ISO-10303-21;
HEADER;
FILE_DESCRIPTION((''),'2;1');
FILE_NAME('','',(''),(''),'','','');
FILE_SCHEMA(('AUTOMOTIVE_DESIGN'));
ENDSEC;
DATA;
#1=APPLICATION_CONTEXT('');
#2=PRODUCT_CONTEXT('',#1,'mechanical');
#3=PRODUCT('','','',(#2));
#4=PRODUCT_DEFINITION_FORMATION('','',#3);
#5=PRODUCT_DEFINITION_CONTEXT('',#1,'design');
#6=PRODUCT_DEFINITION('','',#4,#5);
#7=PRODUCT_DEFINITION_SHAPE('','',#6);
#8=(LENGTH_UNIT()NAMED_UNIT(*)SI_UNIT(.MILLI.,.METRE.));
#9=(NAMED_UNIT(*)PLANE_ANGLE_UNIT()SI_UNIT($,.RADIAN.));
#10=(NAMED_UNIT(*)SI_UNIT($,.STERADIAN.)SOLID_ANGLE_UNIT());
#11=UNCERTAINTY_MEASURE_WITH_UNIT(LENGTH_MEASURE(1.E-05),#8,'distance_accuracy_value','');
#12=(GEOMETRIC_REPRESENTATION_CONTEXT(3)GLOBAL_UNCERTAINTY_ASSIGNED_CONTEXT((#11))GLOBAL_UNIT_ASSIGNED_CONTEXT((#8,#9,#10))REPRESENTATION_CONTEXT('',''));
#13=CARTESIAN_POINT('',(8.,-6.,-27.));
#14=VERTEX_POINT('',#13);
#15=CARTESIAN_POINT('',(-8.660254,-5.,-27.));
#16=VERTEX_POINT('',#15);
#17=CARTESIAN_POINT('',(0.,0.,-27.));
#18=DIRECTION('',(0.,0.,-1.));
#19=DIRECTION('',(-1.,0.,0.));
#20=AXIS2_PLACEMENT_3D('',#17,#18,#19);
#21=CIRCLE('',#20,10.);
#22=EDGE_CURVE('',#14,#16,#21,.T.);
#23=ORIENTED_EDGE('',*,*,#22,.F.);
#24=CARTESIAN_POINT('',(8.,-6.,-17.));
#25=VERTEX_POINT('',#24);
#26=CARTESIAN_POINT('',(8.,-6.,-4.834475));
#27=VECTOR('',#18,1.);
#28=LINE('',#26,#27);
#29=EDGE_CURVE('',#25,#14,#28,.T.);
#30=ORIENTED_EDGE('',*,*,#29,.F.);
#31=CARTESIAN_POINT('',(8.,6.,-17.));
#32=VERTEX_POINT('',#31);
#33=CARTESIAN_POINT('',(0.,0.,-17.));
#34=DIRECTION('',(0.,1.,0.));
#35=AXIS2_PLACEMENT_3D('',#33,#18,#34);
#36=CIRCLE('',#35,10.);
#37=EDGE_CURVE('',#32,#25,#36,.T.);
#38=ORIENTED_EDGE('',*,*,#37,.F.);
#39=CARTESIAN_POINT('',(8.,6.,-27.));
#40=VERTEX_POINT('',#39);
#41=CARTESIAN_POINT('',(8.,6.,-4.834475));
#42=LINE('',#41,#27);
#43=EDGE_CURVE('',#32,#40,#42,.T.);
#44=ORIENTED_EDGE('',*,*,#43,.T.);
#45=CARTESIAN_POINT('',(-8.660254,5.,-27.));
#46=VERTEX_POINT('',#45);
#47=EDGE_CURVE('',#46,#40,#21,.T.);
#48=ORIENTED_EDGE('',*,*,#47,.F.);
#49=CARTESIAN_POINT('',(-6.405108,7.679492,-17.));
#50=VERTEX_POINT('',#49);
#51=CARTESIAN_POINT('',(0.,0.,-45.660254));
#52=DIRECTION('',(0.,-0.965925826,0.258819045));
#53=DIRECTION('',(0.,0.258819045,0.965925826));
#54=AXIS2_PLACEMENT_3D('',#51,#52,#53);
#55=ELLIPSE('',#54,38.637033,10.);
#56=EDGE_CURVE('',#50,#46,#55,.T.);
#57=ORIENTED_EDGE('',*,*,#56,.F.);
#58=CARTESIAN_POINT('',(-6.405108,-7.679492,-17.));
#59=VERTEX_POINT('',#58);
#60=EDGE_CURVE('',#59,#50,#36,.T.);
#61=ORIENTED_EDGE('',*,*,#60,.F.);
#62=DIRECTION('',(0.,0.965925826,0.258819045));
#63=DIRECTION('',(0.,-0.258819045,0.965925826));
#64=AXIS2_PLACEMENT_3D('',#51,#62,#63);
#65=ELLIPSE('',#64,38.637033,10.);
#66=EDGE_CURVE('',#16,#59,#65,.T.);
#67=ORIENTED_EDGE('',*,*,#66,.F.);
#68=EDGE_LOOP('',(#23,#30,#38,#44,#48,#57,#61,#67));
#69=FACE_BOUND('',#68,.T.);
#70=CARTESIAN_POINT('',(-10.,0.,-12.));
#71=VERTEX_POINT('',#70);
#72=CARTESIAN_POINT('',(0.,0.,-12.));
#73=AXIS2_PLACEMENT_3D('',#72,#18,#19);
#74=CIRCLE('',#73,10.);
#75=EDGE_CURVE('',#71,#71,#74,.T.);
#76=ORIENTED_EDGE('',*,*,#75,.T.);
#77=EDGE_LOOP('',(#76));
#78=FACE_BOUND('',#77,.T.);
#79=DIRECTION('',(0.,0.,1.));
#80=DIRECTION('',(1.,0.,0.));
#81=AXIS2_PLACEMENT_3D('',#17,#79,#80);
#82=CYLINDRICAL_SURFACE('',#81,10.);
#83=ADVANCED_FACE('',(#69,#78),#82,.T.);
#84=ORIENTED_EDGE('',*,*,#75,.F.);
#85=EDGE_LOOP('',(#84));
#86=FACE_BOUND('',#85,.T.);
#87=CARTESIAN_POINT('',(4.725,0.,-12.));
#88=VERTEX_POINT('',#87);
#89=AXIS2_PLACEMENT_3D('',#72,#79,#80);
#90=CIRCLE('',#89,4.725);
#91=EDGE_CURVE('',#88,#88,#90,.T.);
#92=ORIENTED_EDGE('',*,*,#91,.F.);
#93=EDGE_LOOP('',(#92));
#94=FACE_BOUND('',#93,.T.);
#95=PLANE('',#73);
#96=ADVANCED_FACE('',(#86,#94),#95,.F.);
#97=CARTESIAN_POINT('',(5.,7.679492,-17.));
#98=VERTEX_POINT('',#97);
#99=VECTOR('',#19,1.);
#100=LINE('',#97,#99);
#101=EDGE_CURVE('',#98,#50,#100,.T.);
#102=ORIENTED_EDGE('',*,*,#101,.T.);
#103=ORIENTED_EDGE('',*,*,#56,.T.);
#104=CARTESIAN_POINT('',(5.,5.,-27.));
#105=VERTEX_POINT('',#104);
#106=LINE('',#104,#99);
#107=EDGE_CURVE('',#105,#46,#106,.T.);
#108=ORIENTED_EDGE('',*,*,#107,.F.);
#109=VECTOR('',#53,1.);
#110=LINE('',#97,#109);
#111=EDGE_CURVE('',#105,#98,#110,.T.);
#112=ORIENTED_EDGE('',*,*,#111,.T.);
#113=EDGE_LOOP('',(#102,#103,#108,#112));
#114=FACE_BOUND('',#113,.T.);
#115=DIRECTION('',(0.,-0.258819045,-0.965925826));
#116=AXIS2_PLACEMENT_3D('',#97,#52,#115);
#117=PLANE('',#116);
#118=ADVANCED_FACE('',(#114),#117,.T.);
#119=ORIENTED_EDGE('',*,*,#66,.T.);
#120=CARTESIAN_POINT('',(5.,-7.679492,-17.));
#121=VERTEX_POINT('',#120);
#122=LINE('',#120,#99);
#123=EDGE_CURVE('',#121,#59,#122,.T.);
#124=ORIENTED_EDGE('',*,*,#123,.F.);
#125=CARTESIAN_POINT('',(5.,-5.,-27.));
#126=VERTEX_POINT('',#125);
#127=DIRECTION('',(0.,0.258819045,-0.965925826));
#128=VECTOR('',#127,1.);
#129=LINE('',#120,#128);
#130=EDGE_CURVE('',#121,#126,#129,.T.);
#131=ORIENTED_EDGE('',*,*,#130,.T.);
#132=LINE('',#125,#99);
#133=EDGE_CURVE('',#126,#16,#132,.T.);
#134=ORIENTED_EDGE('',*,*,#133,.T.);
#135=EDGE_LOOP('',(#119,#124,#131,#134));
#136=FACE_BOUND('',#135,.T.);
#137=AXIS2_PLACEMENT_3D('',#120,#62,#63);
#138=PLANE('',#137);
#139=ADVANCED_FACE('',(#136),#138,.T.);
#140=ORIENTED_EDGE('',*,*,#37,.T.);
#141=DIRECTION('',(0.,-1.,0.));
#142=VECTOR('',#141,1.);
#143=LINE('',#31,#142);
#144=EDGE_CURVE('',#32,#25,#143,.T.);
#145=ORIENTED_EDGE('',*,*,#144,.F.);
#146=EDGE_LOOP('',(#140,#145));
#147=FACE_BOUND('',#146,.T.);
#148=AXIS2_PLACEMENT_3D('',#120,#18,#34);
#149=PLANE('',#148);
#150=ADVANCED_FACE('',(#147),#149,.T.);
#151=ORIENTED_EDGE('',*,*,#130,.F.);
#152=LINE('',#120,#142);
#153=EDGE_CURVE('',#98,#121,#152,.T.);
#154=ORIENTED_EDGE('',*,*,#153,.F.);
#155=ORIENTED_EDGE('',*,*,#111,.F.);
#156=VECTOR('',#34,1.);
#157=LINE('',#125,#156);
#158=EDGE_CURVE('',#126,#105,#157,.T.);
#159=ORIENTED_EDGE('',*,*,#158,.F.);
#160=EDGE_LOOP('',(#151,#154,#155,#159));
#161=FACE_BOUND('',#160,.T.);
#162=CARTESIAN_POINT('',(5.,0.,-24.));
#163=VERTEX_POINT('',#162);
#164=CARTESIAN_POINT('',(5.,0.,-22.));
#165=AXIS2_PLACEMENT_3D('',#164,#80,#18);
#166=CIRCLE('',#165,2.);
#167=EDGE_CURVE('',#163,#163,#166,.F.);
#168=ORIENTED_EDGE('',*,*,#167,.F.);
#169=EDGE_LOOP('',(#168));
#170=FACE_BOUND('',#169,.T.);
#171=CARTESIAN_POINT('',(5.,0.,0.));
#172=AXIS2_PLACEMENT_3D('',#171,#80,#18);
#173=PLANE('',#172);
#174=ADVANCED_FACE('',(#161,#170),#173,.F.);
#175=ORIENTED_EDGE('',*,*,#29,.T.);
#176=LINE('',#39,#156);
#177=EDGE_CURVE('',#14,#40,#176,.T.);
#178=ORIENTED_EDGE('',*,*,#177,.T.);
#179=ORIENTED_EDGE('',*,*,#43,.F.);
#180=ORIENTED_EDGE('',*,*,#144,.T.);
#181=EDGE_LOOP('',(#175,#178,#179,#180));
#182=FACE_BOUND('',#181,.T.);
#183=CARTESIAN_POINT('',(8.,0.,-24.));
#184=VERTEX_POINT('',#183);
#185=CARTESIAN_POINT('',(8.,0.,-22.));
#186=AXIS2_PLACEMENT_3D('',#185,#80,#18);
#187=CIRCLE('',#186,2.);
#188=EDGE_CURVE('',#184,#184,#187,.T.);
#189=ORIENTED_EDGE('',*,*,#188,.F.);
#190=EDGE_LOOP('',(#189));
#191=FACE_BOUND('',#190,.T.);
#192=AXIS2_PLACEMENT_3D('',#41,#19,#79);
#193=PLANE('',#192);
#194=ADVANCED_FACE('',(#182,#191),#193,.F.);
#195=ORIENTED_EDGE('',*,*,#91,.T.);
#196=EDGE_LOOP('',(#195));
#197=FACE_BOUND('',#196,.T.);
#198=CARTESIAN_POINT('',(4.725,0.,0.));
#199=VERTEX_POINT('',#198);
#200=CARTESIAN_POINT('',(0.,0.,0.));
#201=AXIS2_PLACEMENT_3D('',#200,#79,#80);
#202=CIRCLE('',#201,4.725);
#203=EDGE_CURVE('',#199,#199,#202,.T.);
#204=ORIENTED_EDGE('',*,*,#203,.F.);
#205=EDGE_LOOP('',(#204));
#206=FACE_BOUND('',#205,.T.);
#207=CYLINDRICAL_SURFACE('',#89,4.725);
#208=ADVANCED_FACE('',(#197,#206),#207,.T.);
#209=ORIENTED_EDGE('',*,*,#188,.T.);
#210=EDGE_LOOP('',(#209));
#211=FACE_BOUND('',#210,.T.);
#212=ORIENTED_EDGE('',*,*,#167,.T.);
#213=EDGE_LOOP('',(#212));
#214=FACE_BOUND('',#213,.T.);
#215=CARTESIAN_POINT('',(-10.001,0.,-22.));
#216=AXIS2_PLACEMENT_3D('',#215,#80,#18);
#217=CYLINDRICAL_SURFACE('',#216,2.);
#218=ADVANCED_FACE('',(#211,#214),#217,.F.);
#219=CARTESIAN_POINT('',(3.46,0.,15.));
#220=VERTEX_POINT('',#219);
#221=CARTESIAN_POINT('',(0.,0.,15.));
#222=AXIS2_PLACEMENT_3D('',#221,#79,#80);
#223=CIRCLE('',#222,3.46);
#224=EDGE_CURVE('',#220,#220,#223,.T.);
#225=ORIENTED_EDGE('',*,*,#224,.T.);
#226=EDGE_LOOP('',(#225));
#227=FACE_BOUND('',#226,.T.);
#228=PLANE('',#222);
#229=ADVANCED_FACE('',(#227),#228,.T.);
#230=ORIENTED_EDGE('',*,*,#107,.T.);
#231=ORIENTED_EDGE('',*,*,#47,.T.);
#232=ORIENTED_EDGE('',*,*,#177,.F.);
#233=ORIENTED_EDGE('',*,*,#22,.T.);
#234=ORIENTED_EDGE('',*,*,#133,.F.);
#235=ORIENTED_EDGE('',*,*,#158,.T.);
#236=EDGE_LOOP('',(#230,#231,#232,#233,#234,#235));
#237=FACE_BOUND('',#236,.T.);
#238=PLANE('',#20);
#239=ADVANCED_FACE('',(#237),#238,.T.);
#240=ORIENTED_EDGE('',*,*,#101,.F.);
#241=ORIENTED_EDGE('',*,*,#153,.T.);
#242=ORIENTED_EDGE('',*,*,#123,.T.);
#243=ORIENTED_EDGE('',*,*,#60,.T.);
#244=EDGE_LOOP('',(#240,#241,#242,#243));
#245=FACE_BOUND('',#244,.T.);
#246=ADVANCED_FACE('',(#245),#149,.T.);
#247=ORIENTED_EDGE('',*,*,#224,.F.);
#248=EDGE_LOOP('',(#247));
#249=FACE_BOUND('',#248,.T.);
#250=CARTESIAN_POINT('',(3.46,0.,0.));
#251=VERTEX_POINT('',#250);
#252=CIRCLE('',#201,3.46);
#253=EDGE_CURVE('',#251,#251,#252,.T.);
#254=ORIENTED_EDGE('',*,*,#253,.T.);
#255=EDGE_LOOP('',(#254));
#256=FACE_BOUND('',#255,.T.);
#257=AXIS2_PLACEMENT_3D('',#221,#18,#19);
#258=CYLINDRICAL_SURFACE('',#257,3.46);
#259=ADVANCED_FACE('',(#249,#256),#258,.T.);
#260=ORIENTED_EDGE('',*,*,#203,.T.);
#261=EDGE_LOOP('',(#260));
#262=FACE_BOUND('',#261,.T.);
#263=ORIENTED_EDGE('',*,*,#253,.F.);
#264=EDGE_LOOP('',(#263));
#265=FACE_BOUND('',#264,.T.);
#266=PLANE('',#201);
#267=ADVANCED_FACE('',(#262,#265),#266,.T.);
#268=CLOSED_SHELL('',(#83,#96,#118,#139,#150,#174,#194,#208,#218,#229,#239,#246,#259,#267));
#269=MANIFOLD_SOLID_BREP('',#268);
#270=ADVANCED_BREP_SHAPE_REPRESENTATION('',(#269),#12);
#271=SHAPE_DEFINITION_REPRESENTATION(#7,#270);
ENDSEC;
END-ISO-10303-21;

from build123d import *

# Parameters (mm, degrees)
SKETCH1_R               = 4.725
BOSS_EXTRUDE1_DEPTH     = 12
SKETCH2_R               = 3.46
BOSS_EXTRUDE2_DEPTH     = 15
SKETCH5_R               = 10
BOSS_EXTRUDE3_DEPTH     = 15
CUT_EXTRUDE1_DEPTH      = 5
CUT_EXTRUDE1_DEPTH_BACK = 15
SKETCH4_W               = 2
SKETCH4_H               = 12
CUT_EXTRUDE2_DEPTH      = 10
CUT_EXTRUDE3_REACH      = 35.956
SKETCH6_R               = 2


with BuildPart() as part:
    # Sketch1 → Boss-Extrude1 (new body)
    with BuildSketch(Plane.XY):
        Circle(SKETCH1_R)
    extrude(amount=-BOSS_EXTRUDE1_DEPTH)

    # Sketch2 → Boss-Extrude2 (add)
    with BuildSketch(Plane.XY):
        Circle(SKETCH2_R)
    extrude(amount=BOSS_EXTRUDE2_DEPTH)

    # Sketch5 → Boss-Extrude3 (add)
    with BuildSketch(Plane(origin=(0, 0, -12), x_dir=(-1, 0, 0), z_dir=(0, 0, -1))):
        Circle(SKETCH5_R)
    extrude(amount=BOSS_EXTRUDE3_DEPTH)

    # Sketch3 → Cut-Extrude1 (cut, two sides: drawn at the far end of the back side and taken through both)
    with BuildSketch(Plane(origin=(0, 0, 0), x_dir=(0, 0, -1), z_dir=(1, 0, 0)).offset(-CUT_EXTRUDE1_DEPTH_BACK)):
        Polygon((27, -5), (27, 5), (17, 7.679491924), (17, -7.679491924), align=None)
    extrude(amount=CUT_EXTRUDE1_DEPTH + CUT_EXTRUDE1_DEPTH_BACK, mode=Mode.SUBTRACT)

    # Sketch4 → Cut-Extrude2 (cut)
    with BuildSketch(Plane(origin=(0, 0, -27), x_dir=(-1, 0, 0), z_dir=(0, 0, -1))):
        with Locations((-9, 0)):
            Rectangle(SKETCH4_W, SKETCH4_H)
    extrude(amount=-CUT_EXTRUDE2_DEPTH, mode=Mode.SUBTRACT)

    # Sketch6 → Cut-Extrude3 (cut, up to next)
    with BuildSketch(Plane(origin=(8, 0, 0), x_dir=(0, 0, -1), z_dir=(1, 0, 0)), mode=Mode.PRIVATE) as cut_extrude3_sk1:
        with Locations((22, 0)):
            Circle(SKETCH6_R)
    cut_extrude3_tool1 = extrude(cut_extrude3_sk1.sketch, amount=-CUT_EXTRUDE3_REACH, mode=Mode.PRIVATE) & part.part
    add(cut_extrude3_tool1.solids().sort_by_distance((8, 0, -22))[0], mode=Mode.SUBTRACT)


solid = part.part
